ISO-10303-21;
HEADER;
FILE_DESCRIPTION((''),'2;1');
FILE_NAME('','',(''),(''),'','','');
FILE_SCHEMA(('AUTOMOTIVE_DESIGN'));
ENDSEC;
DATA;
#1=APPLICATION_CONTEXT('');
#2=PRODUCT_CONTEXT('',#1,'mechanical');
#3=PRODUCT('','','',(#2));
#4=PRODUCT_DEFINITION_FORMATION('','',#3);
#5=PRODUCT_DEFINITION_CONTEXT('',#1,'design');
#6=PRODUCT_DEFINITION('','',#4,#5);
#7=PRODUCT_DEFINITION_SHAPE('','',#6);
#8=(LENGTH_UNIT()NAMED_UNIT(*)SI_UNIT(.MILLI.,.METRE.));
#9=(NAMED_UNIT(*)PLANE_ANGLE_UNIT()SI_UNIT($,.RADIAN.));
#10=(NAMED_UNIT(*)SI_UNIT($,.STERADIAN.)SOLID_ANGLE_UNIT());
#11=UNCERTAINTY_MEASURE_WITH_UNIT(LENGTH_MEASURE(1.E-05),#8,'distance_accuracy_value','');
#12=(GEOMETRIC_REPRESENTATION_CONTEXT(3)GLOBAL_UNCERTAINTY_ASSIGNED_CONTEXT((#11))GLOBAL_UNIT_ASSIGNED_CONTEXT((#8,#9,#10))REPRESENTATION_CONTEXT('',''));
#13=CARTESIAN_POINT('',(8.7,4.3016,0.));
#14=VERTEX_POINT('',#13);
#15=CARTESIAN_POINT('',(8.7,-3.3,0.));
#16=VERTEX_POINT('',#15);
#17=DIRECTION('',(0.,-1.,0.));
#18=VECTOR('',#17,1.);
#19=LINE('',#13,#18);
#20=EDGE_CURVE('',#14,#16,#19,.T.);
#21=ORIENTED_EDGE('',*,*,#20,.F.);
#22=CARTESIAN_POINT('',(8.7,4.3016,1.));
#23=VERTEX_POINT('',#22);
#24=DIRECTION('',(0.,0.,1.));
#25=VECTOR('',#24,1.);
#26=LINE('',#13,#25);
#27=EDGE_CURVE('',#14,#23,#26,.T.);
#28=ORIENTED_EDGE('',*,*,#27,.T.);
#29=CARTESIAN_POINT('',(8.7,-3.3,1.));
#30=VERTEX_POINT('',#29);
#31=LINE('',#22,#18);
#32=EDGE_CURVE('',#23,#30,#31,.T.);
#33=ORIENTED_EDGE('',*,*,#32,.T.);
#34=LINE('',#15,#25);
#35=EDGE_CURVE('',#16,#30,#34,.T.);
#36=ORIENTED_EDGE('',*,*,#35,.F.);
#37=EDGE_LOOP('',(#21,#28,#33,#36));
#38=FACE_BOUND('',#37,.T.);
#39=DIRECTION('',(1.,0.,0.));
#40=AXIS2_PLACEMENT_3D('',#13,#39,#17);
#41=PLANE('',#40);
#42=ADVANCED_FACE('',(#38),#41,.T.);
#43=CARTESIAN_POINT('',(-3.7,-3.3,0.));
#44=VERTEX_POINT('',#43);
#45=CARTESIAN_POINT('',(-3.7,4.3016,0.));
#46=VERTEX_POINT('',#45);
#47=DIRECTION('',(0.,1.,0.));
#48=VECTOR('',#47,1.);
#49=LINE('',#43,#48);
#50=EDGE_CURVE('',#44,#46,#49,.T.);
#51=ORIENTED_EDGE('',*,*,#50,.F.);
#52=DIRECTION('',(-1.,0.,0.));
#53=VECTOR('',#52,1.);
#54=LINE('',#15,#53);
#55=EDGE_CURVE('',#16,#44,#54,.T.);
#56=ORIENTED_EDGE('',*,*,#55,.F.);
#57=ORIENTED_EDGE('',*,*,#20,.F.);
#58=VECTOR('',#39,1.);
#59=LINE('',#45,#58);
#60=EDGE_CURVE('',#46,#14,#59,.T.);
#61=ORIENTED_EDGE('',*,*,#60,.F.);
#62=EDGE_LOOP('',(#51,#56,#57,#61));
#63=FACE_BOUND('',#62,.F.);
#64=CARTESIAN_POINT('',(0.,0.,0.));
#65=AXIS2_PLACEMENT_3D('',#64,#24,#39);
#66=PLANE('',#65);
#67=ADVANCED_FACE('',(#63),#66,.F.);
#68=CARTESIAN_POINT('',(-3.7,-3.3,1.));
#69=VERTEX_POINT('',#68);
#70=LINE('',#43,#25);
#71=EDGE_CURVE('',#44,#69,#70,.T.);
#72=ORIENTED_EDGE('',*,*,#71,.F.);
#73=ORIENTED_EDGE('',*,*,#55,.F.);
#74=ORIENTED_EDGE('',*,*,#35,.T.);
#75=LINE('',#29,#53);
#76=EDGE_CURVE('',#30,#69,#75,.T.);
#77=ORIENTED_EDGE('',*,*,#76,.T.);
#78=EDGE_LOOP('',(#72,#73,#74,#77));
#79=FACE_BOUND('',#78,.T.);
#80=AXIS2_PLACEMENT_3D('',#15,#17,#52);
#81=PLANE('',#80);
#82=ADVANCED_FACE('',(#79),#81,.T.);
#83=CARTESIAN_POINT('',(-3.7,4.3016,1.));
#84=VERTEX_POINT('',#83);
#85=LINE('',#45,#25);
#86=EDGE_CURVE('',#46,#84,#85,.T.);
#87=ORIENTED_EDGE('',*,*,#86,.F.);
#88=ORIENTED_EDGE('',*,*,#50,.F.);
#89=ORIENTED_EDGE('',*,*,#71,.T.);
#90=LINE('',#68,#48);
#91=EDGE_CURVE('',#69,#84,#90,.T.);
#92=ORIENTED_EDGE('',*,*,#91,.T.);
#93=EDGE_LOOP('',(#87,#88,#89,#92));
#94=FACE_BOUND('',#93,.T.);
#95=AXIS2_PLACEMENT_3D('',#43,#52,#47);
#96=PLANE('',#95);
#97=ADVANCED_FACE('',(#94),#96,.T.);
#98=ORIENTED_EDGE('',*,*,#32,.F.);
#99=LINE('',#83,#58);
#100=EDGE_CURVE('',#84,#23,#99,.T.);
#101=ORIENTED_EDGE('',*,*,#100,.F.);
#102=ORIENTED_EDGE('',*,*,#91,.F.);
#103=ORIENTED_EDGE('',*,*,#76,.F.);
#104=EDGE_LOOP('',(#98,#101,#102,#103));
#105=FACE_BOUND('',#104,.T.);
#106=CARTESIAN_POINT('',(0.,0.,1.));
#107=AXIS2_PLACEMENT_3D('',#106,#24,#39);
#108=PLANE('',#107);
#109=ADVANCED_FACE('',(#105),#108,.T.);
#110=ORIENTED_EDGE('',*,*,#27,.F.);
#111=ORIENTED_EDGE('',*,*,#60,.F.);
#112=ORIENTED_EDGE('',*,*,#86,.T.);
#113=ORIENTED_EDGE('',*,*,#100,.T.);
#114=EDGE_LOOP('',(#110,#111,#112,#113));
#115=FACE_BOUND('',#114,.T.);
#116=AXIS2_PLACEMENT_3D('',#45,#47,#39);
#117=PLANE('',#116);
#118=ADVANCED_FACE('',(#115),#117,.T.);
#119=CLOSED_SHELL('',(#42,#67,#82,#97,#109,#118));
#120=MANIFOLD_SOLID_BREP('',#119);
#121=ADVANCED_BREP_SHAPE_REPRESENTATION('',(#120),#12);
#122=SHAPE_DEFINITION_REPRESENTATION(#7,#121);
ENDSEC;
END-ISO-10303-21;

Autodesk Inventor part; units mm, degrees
ref_plane "YZ Plane" through (0, 0, 0) normal (1, 0, 0) x (0, 1, 0)
ref_plane "XZ Plane" through (0, 0, 0) normal (0, 1, 0) x (-1, 0, 0)
ref_plane "XY Plane" through (0, 0, 0) normal (0, 0, 1) x (1, 0, 0)
sketch "SCREWTERMINAL-5MM-2, J1_SCREWTERMINAL-5MM-2_15" plane through (0, 0, 0) normal (0, 0, 1) x (1, 0, 0)
  line L0 (-3.7, 4.3016) -> (8.7, 4.3016)
  line L1 (8.7, 4.3016) -> (8.7, -3.3)
  line L2 (8.7, -3.3) -> (-3.7, -3.3)
  line L3 (-3.7, -3.3) -> (-3.7, 4.3016)
extrude "Выдавливание1" add sketch "SCREWTERMINAL-5MM-2, J1_SCREWTERMINAL-5MM-2_15" along normal blind 1
properties part number "J1_SCREWTERMINAL-5MM-2"
